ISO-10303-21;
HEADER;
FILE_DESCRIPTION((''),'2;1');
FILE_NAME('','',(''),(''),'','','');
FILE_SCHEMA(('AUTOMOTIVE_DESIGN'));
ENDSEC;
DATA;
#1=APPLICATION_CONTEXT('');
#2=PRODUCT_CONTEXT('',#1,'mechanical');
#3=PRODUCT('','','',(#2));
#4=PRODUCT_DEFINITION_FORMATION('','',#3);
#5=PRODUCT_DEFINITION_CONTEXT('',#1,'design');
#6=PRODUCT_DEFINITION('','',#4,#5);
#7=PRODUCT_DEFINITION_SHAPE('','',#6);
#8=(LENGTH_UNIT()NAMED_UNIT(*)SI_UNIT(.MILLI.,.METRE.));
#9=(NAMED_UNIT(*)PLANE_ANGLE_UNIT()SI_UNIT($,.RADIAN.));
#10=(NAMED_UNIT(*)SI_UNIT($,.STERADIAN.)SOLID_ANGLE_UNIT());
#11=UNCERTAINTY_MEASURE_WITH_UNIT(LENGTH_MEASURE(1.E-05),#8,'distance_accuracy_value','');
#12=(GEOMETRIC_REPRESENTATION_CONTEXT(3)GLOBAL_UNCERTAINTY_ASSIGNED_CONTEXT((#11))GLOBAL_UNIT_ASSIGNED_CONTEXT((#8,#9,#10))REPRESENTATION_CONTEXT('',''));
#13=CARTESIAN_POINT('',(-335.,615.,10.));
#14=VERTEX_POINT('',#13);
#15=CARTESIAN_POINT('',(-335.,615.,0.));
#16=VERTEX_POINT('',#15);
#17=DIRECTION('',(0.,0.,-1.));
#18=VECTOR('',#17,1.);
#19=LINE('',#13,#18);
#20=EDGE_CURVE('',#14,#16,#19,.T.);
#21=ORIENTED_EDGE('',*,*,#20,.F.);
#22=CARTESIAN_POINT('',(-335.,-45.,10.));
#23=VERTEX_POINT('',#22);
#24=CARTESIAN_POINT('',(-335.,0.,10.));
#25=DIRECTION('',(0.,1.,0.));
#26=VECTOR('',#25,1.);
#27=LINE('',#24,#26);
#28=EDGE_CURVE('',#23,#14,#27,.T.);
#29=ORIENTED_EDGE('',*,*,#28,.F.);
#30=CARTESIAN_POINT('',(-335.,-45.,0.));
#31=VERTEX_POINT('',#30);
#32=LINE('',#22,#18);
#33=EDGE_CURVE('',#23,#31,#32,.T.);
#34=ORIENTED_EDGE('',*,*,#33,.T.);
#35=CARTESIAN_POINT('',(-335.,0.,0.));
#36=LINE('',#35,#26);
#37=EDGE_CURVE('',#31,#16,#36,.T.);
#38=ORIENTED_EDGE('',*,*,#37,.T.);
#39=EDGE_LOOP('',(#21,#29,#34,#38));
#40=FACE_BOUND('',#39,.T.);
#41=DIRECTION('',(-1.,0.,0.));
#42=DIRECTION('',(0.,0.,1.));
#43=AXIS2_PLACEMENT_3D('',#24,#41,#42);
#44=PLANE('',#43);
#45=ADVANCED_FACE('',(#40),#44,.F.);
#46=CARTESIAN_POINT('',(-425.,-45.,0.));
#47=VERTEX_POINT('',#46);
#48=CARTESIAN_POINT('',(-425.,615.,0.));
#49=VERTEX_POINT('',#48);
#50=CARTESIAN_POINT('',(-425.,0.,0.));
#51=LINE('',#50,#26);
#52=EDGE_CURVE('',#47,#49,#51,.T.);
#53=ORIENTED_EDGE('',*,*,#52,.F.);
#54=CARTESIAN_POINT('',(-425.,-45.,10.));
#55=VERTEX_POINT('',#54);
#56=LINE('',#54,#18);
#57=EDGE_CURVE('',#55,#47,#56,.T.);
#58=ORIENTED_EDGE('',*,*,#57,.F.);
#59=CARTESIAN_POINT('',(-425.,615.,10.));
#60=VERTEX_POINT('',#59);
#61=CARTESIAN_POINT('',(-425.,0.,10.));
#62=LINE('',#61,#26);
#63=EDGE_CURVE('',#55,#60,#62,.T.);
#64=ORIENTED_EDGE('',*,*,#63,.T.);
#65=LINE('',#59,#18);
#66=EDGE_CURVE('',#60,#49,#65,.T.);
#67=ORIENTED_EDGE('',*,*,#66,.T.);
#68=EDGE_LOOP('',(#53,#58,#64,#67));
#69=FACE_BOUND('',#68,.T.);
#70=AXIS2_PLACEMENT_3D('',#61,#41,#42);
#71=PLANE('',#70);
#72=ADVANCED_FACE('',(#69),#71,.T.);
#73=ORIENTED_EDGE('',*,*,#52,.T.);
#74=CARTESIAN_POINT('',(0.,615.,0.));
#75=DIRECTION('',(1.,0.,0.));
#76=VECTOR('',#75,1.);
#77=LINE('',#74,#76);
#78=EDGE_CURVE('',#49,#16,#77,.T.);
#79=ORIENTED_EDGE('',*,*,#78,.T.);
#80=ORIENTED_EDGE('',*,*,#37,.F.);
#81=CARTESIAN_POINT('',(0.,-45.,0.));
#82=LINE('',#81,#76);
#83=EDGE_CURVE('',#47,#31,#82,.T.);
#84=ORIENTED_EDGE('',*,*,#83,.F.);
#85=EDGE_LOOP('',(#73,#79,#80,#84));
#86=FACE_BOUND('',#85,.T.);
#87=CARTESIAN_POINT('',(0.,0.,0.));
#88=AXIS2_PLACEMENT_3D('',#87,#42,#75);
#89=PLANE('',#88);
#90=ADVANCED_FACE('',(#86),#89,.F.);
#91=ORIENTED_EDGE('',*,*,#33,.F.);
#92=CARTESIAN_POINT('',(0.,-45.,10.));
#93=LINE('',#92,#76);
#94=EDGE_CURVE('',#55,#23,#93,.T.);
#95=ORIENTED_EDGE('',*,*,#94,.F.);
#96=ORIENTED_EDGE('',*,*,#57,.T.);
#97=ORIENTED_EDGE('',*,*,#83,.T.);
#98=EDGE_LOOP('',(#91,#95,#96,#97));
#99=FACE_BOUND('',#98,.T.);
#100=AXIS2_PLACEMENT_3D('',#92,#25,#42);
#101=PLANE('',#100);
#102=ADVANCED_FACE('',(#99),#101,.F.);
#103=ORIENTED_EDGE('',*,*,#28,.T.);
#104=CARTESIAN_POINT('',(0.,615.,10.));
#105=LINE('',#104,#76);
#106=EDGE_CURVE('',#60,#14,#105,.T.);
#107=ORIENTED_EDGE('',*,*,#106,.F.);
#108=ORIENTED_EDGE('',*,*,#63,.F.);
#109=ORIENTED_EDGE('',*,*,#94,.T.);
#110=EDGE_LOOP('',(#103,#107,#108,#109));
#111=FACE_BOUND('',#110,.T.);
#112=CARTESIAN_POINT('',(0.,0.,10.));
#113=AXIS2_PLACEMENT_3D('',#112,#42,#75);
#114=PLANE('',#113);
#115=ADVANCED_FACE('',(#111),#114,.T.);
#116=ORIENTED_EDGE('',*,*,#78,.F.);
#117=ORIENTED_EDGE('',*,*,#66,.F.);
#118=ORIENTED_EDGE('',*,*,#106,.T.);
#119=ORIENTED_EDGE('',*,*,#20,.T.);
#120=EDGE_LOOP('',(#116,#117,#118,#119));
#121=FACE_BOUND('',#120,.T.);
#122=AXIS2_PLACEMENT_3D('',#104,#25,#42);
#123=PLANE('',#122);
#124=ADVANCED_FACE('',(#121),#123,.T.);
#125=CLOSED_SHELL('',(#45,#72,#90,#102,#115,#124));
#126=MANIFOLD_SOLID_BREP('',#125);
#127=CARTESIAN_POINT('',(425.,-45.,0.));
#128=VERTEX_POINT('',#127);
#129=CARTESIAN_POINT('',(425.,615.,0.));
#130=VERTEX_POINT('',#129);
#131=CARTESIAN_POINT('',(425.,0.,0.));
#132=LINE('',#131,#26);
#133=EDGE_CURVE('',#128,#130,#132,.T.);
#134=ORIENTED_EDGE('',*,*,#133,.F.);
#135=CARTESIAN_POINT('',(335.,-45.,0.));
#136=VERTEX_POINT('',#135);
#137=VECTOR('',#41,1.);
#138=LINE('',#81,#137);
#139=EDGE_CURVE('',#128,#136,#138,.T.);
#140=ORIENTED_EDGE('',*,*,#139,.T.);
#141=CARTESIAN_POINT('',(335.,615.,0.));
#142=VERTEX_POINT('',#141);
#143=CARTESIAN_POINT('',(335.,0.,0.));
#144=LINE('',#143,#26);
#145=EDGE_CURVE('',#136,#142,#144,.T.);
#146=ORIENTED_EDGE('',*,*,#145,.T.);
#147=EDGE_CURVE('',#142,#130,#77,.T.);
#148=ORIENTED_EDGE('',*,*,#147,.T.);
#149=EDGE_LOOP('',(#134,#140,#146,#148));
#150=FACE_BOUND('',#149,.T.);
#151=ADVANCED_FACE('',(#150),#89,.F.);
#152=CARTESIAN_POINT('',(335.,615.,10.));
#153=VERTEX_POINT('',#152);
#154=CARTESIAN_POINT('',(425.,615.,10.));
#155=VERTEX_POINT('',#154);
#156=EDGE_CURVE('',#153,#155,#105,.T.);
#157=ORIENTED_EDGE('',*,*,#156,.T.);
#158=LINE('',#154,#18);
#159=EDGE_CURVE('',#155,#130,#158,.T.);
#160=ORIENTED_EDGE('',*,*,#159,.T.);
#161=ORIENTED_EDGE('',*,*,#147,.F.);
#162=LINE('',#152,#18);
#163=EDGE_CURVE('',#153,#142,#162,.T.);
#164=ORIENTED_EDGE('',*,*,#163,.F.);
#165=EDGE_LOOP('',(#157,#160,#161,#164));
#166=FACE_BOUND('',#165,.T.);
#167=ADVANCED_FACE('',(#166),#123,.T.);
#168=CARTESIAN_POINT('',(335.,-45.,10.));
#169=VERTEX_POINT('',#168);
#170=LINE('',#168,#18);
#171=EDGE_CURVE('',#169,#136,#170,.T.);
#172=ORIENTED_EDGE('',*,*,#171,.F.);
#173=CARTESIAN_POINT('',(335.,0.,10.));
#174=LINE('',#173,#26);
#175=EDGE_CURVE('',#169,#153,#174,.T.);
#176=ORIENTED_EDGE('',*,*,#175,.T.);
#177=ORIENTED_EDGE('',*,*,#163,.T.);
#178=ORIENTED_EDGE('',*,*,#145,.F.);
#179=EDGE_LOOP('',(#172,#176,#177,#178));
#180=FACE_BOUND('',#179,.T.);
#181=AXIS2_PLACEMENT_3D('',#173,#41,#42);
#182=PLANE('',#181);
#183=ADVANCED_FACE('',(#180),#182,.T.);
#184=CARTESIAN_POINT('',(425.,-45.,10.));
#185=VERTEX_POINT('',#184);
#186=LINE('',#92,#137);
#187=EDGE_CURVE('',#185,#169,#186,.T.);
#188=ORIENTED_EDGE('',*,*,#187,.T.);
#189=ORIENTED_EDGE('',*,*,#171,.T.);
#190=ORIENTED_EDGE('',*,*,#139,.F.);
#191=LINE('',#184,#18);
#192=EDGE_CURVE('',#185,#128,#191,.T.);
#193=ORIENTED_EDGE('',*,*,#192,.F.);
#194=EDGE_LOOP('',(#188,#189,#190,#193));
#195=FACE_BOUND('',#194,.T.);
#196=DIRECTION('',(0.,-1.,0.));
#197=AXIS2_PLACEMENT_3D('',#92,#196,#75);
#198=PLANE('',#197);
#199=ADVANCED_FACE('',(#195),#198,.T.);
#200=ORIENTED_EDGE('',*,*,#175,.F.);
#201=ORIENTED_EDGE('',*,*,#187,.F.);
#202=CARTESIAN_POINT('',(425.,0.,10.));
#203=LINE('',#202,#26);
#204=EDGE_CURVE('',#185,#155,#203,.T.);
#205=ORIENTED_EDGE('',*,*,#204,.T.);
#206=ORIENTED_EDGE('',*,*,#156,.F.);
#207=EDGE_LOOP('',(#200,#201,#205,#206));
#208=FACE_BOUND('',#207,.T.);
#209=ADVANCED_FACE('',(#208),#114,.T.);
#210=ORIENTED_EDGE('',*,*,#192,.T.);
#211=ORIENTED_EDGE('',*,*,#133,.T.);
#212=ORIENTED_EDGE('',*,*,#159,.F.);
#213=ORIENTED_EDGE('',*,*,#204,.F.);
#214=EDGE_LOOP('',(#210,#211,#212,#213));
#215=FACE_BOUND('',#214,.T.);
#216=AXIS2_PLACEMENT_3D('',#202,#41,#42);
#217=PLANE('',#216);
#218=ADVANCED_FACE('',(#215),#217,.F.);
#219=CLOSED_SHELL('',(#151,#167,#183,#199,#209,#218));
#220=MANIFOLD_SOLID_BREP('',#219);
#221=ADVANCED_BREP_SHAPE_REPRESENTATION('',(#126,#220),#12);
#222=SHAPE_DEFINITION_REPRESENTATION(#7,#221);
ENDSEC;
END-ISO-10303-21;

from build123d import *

# Parameters (mm, degrees)
BOSS_EXTRUDE1_DEPTH   = 10
BOSS_EXTRUDE1_2_DEPTH = 10


with BuildPart() as part:
    # Sketch1 → Boss-Extrude1 (new body)
    with BuildSketch(Plane.XY):
        Polygon((-335, 615), (-425, 615), (-425, -45), (-335, -45), (-335, 285), align=None)
    extrude(amount=BOSS_EXTRUDE1_DEPTH)


with BuildPart() as body_2:
    # Sketch1 → Boss-Extrude1 2 (new body)
    with BuildSketch(Plane.XY):
        Polygon((425, 615), (335, 615), (335, 285), (335, -45), (425, -45), align=None)
    extrude(amount=BOSS_EXTRUDE1_2_DEPTH)


solid = Compound([part.part, body_2.part])
